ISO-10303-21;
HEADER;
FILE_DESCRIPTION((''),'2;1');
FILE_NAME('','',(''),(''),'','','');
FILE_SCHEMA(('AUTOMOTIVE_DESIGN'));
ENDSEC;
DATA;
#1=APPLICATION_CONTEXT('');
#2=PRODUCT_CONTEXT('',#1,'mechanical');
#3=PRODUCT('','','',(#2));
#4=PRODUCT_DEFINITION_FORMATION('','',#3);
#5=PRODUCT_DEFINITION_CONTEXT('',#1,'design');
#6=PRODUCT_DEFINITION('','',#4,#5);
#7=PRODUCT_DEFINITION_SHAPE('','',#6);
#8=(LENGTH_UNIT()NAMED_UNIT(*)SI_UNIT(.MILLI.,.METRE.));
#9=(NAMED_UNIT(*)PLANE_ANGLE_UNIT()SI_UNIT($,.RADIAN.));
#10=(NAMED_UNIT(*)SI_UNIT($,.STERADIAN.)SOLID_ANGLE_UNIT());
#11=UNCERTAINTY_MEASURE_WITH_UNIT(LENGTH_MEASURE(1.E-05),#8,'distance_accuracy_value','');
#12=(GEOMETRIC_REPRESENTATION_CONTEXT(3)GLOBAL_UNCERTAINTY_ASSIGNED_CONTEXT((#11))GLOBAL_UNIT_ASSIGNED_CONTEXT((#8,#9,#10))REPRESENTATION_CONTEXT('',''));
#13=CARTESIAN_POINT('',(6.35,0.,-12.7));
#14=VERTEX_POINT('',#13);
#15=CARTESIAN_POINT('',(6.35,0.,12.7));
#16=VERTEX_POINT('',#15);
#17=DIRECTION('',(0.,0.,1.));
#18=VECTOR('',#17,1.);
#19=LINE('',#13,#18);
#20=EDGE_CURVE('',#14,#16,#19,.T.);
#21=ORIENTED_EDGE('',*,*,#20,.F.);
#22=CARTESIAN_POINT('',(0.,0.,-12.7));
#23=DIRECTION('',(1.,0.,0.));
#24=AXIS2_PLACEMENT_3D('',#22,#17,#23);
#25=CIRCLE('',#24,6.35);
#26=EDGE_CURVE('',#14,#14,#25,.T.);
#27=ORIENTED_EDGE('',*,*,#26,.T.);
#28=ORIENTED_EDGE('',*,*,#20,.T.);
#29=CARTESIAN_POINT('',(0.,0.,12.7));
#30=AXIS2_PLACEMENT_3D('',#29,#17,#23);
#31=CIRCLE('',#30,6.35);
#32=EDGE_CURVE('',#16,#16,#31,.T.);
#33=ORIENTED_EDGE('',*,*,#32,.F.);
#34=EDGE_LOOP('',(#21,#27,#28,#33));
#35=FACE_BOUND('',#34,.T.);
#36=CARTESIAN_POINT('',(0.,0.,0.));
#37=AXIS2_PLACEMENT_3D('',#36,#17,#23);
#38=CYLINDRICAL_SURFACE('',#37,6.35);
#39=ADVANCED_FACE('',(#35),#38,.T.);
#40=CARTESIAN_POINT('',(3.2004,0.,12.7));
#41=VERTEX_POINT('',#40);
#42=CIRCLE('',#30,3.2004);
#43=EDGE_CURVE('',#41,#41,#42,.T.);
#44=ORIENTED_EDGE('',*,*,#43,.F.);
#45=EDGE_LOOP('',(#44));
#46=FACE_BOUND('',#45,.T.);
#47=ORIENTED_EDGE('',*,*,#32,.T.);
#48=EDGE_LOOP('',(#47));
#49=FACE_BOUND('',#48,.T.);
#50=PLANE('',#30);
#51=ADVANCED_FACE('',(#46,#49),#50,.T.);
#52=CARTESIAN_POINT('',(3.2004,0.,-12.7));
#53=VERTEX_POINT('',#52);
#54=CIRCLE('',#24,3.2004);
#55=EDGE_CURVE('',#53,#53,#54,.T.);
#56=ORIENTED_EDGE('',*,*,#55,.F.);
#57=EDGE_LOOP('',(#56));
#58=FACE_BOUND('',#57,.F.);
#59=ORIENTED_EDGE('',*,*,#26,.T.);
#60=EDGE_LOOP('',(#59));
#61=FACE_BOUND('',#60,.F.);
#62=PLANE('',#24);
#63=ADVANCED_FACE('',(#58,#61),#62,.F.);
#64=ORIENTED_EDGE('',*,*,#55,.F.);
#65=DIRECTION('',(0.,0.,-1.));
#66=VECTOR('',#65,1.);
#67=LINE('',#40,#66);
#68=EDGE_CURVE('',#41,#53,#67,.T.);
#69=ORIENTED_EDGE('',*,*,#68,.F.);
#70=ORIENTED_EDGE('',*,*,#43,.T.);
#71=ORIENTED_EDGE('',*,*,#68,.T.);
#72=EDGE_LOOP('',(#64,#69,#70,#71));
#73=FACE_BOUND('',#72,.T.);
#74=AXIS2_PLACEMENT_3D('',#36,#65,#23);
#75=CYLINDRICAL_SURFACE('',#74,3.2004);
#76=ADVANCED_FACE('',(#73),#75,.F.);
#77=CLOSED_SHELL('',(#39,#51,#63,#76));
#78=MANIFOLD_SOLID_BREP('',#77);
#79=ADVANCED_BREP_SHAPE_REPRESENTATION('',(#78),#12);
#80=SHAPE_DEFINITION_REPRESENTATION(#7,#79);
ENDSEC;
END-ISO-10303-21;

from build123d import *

# Parameters (mm, degrees)
SKETCH1_R      = 6.35
SKETCH1_R_2    = 3.2004
EXTRUDE1_DEPTH = 12.7


with BuildPart() as part:
    # Sketch1 → Extrude1 (new body, symmetric)
    with BuildSketch(Plane.XY):
        Circle(SKETCH1_R)
        Circle(SKETCH1_R_2, mode=Mode.SUBTRACT)
    extrude(amount=EXTRUDE1_DEPTH, both=True)


solid = part.part
